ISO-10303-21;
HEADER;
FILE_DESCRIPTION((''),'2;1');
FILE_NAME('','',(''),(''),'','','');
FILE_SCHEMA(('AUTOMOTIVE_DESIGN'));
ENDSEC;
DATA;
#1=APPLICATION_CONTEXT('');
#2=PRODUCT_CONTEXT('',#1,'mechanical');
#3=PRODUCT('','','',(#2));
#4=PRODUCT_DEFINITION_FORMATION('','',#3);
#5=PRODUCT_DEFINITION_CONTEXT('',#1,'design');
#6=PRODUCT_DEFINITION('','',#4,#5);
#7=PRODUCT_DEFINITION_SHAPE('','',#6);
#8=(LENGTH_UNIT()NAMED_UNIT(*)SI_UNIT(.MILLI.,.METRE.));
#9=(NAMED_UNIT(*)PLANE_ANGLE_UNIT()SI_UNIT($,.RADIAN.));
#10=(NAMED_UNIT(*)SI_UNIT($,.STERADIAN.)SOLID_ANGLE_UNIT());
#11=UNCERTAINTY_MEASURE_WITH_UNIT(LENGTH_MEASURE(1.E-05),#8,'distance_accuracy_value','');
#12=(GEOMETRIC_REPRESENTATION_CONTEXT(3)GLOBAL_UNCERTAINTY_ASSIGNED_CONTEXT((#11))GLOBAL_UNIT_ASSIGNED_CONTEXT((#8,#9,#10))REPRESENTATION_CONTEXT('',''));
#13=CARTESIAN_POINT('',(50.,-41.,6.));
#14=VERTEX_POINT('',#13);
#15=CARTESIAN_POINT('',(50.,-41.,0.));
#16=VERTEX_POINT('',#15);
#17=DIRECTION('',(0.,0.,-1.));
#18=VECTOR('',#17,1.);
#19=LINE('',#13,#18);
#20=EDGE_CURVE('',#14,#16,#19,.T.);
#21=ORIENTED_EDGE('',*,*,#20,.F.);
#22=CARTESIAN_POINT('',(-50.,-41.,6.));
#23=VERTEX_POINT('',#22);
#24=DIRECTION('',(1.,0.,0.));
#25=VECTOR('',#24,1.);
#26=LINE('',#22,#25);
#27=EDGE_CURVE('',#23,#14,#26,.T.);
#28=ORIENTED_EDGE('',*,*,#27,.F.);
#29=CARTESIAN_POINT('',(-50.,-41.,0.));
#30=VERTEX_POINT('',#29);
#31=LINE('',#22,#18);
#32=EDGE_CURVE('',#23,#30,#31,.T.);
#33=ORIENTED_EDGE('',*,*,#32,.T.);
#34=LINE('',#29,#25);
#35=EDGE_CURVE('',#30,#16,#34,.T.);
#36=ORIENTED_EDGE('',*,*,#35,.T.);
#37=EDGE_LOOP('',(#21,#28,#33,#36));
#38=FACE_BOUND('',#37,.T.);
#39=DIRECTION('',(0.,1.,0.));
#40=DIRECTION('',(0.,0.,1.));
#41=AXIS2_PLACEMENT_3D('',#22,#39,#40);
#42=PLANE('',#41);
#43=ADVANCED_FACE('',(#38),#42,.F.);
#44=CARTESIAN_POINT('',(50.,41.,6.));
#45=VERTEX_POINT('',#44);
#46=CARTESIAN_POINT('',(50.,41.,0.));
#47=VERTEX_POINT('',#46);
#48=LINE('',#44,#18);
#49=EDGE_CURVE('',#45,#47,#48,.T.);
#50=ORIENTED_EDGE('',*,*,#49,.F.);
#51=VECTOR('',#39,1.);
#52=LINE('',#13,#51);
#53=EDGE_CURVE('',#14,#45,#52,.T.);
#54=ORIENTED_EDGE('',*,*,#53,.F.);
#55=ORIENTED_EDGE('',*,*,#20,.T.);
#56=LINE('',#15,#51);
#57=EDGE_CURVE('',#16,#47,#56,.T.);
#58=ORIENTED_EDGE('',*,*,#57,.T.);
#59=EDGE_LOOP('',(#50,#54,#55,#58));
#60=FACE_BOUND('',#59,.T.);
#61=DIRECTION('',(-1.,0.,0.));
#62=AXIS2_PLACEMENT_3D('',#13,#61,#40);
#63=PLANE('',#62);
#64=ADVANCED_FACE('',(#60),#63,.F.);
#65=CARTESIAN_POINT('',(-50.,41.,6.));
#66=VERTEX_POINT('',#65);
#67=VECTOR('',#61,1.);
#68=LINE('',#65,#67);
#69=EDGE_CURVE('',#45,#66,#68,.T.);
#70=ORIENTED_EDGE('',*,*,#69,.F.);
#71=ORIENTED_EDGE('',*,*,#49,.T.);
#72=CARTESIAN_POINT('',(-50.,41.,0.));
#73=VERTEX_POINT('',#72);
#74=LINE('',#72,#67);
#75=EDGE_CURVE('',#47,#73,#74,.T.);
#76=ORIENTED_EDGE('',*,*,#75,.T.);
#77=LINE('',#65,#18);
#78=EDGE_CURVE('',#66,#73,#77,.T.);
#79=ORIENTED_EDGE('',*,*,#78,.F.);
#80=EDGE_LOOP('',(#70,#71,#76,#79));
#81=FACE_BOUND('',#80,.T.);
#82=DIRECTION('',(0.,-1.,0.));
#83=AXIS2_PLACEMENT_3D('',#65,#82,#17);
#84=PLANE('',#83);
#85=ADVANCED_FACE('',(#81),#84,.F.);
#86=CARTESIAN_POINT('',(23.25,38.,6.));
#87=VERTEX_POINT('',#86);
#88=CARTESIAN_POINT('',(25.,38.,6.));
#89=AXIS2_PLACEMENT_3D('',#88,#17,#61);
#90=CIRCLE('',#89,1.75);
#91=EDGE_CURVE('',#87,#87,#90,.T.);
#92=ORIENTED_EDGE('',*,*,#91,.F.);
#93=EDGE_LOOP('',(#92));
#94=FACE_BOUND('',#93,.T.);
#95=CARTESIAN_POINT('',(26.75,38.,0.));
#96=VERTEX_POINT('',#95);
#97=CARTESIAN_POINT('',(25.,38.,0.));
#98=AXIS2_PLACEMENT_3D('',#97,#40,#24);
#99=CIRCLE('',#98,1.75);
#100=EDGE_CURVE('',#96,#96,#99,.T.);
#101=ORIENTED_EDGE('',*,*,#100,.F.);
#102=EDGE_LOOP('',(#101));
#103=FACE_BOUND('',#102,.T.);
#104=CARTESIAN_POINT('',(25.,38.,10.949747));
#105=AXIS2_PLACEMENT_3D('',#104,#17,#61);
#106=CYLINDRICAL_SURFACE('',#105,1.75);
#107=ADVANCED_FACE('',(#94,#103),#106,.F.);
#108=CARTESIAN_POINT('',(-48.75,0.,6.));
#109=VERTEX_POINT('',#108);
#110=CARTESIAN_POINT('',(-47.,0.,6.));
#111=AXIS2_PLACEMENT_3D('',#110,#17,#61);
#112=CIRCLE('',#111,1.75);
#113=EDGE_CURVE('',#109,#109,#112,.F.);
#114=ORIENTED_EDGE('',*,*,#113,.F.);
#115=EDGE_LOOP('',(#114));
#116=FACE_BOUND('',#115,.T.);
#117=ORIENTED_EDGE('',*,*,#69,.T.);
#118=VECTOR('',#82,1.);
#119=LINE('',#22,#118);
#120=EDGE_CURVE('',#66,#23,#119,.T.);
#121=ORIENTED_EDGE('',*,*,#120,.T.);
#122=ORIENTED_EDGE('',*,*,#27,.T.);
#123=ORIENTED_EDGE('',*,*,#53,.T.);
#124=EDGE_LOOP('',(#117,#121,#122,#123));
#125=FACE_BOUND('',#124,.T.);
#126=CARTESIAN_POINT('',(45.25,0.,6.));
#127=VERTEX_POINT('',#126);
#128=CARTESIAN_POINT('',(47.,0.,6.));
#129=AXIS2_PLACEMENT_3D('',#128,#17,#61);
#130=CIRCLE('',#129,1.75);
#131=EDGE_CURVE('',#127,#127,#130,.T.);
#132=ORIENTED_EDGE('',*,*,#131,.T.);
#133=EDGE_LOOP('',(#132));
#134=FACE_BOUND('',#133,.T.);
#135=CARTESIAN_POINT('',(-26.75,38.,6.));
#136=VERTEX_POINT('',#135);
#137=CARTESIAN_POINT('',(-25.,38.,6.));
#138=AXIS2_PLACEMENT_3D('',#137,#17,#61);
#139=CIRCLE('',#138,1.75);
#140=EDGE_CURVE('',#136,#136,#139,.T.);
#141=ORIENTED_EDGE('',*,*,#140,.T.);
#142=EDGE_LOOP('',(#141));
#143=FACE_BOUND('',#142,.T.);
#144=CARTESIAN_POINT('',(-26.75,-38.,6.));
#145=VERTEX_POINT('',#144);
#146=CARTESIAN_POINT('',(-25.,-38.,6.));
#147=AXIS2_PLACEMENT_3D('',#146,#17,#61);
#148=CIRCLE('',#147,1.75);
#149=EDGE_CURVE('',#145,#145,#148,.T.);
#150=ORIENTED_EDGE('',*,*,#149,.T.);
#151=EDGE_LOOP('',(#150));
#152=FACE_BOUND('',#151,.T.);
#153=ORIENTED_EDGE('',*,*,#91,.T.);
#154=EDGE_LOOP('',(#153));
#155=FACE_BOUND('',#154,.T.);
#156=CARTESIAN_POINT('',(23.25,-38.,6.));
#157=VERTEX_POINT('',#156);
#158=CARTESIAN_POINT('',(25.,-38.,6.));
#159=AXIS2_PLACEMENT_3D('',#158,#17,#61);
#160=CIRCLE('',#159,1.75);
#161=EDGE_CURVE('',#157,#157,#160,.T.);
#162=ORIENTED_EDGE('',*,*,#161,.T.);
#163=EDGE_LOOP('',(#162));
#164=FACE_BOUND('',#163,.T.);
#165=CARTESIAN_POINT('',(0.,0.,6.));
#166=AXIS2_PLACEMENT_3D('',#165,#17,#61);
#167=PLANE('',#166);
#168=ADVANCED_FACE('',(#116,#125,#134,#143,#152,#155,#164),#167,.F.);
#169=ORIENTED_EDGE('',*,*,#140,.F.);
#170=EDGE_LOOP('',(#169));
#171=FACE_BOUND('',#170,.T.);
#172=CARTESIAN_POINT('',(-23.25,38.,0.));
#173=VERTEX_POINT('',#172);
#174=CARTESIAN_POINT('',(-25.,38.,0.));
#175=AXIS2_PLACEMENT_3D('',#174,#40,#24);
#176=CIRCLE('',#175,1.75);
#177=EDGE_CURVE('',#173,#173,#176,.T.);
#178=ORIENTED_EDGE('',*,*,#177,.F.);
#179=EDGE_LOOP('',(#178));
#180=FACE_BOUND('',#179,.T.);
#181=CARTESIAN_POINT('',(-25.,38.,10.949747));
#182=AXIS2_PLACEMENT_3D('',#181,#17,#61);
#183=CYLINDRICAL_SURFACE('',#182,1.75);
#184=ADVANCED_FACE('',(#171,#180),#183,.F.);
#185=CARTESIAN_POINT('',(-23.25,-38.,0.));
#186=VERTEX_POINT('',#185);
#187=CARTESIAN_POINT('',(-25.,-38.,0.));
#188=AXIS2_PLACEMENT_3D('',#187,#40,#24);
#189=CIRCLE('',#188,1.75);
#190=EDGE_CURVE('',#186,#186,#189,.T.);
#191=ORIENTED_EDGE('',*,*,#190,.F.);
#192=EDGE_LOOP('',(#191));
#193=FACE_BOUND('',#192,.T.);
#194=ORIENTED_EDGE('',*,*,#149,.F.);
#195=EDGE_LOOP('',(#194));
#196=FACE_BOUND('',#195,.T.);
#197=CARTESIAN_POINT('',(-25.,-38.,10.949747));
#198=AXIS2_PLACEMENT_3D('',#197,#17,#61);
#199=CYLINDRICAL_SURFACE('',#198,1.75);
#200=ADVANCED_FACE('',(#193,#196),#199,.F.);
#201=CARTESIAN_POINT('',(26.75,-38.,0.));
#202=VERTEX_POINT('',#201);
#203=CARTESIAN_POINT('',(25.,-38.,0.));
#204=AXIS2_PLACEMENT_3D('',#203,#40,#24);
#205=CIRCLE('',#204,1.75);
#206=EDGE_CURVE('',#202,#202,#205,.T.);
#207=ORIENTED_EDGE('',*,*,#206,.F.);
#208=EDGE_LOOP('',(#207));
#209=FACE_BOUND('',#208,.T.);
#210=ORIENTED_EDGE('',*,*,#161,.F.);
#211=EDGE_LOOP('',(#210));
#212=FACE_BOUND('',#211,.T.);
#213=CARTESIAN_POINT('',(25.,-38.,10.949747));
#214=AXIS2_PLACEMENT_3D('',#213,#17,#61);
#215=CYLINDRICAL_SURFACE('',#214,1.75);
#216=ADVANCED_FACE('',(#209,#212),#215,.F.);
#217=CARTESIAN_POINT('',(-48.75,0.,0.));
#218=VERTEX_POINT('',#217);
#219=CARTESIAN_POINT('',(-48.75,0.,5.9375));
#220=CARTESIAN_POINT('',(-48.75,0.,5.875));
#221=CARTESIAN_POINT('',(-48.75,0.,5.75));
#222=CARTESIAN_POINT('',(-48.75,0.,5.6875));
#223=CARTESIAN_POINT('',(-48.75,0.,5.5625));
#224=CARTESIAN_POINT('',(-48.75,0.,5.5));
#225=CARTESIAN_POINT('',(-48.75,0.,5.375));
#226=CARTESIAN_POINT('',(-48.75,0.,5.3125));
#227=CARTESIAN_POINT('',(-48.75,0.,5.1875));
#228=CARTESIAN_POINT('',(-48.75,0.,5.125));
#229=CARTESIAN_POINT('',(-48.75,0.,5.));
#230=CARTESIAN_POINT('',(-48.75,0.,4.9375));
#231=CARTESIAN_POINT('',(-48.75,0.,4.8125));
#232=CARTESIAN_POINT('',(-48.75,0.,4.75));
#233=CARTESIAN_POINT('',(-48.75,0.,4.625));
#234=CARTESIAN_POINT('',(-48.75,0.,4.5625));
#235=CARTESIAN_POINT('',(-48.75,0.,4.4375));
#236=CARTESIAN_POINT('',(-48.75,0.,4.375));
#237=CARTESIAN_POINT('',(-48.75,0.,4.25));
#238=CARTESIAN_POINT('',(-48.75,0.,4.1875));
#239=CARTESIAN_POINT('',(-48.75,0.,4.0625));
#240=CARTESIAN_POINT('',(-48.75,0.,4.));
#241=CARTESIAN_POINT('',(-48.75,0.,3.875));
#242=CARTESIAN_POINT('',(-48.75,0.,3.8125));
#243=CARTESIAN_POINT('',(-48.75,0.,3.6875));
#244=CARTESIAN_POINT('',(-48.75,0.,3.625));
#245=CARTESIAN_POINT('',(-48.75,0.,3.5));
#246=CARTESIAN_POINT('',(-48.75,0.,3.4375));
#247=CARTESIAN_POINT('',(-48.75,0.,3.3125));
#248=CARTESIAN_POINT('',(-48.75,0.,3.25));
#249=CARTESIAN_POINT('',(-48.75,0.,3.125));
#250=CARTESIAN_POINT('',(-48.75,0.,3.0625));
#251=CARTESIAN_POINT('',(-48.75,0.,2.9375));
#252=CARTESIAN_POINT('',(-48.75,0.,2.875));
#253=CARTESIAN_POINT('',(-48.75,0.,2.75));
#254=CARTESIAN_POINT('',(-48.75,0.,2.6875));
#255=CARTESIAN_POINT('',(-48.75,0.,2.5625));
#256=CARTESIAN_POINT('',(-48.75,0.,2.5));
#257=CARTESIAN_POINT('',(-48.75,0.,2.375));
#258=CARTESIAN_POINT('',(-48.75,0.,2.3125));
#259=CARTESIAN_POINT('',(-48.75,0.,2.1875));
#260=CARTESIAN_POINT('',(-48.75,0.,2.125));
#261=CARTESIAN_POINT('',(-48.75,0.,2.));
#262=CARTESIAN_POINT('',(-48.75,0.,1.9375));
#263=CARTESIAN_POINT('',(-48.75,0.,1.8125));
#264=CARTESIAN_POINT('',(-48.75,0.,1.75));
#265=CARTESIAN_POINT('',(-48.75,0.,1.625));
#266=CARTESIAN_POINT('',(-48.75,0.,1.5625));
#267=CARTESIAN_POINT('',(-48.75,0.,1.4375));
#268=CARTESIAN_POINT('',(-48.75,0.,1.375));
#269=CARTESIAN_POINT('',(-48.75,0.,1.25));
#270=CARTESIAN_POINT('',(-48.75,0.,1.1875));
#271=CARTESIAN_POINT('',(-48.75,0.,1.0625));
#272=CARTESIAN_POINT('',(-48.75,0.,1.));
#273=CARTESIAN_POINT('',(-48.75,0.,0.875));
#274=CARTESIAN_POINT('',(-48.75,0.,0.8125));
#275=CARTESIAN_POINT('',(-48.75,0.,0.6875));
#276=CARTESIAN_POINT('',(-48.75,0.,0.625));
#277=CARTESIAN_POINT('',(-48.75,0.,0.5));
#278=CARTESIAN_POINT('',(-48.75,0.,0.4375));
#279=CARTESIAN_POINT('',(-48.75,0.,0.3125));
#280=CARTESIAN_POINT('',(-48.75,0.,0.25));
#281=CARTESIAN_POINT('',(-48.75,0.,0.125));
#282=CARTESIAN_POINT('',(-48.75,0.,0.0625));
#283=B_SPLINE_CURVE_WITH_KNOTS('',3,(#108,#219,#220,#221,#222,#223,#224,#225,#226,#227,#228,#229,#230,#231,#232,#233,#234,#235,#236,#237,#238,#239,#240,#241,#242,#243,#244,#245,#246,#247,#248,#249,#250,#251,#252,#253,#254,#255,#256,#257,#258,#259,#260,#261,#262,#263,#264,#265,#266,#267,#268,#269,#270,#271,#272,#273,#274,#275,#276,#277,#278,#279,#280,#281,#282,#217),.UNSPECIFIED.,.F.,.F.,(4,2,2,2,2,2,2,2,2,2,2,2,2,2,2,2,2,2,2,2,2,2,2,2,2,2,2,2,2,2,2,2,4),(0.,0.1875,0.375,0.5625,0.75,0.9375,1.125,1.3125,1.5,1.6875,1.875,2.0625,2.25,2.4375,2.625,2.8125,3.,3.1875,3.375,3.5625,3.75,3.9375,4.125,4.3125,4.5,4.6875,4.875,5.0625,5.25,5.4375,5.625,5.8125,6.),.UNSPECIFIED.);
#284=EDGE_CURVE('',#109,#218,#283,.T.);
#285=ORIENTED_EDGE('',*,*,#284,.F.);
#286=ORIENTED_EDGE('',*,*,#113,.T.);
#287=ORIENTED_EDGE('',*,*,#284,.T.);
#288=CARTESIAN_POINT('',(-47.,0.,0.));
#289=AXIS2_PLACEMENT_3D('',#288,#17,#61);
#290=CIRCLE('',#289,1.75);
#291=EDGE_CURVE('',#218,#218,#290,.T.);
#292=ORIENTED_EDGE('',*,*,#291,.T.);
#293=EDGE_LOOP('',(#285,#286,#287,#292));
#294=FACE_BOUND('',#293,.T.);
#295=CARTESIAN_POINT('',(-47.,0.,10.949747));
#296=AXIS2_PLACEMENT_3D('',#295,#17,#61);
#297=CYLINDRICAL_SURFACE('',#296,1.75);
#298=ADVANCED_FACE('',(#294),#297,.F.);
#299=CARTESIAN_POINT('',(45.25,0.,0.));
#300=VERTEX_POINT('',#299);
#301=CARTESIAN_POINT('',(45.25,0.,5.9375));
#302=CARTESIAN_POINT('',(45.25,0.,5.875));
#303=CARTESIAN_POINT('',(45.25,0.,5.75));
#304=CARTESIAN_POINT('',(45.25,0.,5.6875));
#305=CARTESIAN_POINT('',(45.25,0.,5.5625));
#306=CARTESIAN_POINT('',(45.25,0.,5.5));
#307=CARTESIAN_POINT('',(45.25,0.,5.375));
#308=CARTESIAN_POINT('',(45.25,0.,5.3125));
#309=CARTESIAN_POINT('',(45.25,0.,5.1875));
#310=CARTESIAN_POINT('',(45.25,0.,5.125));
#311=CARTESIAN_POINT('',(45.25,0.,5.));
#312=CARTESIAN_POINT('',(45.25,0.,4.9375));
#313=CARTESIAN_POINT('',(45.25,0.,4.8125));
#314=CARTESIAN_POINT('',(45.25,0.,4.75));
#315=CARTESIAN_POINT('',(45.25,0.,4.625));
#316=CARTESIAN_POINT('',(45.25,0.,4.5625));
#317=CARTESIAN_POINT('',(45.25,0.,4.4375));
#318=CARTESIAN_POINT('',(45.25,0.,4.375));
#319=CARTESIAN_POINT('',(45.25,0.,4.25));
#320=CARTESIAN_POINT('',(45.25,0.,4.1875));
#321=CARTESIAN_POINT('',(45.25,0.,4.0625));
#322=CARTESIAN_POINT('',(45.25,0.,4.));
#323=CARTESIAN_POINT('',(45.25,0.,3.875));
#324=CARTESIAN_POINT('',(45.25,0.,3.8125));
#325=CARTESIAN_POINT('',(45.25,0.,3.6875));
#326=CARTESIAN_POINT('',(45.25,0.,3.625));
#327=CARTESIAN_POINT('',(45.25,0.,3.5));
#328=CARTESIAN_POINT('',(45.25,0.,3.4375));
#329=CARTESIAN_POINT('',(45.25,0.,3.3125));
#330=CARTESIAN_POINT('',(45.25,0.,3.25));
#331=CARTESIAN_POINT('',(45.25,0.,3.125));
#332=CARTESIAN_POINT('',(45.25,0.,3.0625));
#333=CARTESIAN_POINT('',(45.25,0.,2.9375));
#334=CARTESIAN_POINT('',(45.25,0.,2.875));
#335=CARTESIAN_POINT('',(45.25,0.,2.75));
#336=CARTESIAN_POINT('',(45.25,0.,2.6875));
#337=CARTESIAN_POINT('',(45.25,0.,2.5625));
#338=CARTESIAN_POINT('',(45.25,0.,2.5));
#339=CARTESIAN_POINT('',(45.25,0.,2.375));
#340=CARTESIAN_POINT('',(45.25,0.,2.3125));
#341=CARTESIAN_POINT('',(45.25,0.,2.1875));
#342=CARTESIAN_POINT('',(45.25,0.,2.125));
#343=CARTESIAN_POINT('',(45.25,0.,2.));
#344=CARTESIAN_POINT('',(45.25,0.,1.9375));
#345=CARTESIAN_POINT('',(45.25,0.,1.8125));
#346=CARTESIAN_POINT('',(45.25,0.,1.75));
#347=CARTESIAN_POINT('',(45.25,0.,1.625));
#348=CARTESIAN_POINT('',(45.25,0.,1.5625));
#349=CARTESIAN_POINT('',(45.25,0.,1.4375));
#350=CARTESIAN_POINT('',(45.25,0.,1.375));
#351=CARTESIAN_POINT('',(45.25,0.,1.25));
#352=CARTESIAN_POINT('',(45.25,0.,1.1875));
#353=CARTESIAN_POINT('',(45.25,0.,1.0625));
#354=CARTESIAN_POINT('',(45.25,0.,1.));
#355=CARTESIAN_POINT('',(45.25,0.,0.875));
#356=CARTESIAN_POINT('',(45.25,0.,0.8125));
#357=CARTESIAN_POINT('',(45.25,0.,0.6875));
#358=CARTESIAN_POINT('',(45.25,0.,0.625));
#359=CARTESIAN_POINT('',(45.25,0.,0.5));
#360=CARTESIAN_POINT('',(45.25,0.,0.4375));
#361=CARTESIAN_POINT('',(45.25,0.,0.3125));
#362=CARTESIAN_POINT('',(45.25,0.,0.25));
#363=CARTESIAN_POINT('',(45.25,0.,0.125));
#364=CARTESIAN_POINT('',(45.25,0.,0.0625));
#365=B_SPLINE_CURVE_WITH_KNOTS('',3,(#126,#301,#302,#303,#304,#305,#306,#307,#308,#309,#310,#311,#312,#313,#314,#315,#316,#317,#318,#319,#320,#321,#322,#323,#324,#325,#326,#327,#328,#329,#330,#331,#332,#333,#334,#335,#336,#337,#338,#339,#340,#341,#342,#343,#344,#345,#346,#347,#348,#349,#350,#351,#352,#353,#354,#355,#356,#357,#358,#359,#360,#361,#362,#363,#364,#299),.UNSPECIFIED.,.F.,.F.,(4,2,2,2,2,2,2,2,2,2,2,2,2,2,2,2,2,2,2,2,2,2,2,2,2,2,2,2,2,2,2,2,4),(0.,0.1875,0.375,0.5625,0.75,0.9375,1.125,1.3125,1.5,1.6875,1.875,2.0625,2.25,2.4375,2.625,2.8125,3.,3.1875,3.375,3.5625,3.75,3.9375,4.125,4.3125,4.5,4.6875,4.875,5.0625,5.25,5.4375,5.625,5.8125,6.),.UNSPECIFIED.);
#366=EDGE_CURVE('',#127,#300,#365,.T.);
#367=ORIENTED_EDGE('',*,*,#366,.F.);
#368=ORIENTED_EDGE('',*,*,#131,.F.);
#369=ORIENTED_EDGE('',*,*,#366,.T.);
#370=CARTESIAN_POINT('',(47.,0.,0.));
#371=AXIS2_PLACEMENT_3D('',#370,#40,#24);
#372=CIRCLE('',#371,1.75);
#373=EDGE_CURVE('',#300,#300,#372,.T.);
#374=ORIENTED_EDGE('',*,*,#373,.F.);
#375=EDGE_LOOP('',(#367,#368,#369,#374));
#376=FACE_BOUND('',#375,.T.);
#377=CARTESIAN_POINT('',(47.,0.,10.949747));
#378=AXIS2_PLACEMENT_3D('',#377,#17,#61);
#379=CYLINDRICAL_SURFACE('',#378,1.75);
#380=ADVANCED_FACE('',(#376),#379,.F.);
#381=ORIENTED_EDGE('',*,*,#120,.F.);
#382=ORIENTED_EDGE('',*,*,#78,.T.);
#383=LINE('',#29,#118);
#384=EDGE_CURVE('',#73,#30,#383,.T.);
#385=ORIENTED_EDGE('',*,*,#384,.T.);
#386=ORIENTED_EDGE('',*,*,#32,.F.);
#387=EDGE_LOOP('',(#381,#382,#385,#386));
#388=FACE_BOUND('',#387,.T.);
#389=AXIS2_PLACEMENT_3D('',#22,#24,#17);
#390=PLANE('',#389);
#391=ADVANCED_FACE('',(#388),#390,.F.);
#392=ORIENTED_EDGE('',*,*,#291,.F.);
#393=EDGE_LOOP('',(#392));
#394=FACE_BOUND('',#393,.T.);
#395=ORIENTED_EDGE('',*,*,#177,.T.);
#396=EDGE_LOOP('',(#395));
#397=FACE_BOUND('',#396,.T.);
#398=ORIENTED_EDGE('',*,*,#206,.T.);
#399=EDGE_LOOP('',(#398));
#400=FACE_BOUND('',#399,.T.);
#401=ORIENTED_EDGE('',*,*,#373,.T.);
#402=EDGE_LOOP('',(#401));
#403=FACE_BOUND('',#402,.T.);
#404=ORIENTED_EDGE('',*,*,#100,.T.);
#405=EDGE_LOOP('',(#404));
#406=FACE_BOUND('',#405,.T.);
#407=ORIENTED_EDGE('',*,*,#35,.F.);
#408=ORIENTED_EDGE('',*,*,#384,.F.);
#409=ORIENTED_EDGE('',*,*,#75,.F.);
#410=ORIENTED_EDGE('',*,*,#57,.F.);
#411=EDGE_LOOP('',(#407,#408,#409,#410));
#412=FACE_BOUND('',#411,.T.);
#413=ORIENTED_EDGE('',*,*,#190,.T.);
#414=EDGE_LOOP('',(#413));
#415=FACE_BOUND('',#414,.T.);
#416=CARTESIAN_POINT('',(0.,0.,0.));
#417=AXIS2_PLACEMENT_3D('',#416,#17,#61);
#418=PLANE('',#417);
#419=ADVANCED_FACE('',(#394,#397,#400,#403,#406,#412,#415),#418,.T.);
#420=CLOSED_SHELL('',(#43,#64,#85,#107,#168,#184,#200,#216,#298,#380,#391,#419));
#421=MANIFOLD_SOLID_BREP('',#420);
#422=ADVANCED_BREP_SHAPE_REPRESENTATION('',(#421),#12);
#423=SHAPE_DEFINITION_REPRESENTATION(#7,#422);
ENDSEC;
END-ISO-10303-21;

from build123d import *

# Parameters (mm, degrees)
ESQUISSE1_W             = 100
ESQUISSE1_H             = 82
BOSS_EXTRU_1_DEPTH      = 6
ESQUISSE2_R             = 1.75
ENL_V_MAT_EXTRU_1_DEPTH = 6
ESQUISSE3_R             = 1.75
ENL_V_MAT_EXTRU_2_DEPTH = 6


with BuildPart() as part:
    # Esquisse1 → Boss.-Extru.1 (new body)
    with BuildSketch(Plane.XY):
        Rectangle(ESQUISSE1_W, ESQUISSE1_H)
    extrude(amount=BOSS_EXTRU_1_DEPTH)

    # Esquisse2 → Enlèv. mat.-Extru.1 (cut)
    with BuildSketch(Plane.XY):
        with Locations(Location((-25, -38, 0), (0, 0, 180))):
            Circle(ESQUISSE2_R)
        with Locations(Location((25, -38, 0), (0, 0, 180))):
            Circle(ESQUISSE2_R)
        with Locations(Location((-25, 38, 0), (0, 0, 180))):
            Circle(ESQUISSE2_R)
        with Locations(Location((25, 38, 0), (0, 0, 180))):
            Circle(ESQUISSE2_R)
    extrude(amount=ENL_V_MAT_EXTRU_1_DEPTH, mode=Mode.SUBTRACT)

    # Esquisse3 → Enlèv. mat.-Extru.2 (cut)
    with BuildSketch(Plane.XY):
        with Locations(Location((47, 0, 0), (0, 0, 180))):
            Circle(ESQUISSE3_R)
    enl_v_mat_extru_2 = extrude(amount=ENL_V_MAT_EXTRU_2_DEPTH, mode=Mode.SUBTRACT)

    # Symétrie1: Enlèv. mat.-Extru.2 across plane
    add(enl_v_mat_extru_2.mirror(Plane(origin=(0, 0, 0), x_dir=(0, 0, 1), z_dir=(1, 0, 0))), mode=Mode.SUBTRACT)


solid = part.part
